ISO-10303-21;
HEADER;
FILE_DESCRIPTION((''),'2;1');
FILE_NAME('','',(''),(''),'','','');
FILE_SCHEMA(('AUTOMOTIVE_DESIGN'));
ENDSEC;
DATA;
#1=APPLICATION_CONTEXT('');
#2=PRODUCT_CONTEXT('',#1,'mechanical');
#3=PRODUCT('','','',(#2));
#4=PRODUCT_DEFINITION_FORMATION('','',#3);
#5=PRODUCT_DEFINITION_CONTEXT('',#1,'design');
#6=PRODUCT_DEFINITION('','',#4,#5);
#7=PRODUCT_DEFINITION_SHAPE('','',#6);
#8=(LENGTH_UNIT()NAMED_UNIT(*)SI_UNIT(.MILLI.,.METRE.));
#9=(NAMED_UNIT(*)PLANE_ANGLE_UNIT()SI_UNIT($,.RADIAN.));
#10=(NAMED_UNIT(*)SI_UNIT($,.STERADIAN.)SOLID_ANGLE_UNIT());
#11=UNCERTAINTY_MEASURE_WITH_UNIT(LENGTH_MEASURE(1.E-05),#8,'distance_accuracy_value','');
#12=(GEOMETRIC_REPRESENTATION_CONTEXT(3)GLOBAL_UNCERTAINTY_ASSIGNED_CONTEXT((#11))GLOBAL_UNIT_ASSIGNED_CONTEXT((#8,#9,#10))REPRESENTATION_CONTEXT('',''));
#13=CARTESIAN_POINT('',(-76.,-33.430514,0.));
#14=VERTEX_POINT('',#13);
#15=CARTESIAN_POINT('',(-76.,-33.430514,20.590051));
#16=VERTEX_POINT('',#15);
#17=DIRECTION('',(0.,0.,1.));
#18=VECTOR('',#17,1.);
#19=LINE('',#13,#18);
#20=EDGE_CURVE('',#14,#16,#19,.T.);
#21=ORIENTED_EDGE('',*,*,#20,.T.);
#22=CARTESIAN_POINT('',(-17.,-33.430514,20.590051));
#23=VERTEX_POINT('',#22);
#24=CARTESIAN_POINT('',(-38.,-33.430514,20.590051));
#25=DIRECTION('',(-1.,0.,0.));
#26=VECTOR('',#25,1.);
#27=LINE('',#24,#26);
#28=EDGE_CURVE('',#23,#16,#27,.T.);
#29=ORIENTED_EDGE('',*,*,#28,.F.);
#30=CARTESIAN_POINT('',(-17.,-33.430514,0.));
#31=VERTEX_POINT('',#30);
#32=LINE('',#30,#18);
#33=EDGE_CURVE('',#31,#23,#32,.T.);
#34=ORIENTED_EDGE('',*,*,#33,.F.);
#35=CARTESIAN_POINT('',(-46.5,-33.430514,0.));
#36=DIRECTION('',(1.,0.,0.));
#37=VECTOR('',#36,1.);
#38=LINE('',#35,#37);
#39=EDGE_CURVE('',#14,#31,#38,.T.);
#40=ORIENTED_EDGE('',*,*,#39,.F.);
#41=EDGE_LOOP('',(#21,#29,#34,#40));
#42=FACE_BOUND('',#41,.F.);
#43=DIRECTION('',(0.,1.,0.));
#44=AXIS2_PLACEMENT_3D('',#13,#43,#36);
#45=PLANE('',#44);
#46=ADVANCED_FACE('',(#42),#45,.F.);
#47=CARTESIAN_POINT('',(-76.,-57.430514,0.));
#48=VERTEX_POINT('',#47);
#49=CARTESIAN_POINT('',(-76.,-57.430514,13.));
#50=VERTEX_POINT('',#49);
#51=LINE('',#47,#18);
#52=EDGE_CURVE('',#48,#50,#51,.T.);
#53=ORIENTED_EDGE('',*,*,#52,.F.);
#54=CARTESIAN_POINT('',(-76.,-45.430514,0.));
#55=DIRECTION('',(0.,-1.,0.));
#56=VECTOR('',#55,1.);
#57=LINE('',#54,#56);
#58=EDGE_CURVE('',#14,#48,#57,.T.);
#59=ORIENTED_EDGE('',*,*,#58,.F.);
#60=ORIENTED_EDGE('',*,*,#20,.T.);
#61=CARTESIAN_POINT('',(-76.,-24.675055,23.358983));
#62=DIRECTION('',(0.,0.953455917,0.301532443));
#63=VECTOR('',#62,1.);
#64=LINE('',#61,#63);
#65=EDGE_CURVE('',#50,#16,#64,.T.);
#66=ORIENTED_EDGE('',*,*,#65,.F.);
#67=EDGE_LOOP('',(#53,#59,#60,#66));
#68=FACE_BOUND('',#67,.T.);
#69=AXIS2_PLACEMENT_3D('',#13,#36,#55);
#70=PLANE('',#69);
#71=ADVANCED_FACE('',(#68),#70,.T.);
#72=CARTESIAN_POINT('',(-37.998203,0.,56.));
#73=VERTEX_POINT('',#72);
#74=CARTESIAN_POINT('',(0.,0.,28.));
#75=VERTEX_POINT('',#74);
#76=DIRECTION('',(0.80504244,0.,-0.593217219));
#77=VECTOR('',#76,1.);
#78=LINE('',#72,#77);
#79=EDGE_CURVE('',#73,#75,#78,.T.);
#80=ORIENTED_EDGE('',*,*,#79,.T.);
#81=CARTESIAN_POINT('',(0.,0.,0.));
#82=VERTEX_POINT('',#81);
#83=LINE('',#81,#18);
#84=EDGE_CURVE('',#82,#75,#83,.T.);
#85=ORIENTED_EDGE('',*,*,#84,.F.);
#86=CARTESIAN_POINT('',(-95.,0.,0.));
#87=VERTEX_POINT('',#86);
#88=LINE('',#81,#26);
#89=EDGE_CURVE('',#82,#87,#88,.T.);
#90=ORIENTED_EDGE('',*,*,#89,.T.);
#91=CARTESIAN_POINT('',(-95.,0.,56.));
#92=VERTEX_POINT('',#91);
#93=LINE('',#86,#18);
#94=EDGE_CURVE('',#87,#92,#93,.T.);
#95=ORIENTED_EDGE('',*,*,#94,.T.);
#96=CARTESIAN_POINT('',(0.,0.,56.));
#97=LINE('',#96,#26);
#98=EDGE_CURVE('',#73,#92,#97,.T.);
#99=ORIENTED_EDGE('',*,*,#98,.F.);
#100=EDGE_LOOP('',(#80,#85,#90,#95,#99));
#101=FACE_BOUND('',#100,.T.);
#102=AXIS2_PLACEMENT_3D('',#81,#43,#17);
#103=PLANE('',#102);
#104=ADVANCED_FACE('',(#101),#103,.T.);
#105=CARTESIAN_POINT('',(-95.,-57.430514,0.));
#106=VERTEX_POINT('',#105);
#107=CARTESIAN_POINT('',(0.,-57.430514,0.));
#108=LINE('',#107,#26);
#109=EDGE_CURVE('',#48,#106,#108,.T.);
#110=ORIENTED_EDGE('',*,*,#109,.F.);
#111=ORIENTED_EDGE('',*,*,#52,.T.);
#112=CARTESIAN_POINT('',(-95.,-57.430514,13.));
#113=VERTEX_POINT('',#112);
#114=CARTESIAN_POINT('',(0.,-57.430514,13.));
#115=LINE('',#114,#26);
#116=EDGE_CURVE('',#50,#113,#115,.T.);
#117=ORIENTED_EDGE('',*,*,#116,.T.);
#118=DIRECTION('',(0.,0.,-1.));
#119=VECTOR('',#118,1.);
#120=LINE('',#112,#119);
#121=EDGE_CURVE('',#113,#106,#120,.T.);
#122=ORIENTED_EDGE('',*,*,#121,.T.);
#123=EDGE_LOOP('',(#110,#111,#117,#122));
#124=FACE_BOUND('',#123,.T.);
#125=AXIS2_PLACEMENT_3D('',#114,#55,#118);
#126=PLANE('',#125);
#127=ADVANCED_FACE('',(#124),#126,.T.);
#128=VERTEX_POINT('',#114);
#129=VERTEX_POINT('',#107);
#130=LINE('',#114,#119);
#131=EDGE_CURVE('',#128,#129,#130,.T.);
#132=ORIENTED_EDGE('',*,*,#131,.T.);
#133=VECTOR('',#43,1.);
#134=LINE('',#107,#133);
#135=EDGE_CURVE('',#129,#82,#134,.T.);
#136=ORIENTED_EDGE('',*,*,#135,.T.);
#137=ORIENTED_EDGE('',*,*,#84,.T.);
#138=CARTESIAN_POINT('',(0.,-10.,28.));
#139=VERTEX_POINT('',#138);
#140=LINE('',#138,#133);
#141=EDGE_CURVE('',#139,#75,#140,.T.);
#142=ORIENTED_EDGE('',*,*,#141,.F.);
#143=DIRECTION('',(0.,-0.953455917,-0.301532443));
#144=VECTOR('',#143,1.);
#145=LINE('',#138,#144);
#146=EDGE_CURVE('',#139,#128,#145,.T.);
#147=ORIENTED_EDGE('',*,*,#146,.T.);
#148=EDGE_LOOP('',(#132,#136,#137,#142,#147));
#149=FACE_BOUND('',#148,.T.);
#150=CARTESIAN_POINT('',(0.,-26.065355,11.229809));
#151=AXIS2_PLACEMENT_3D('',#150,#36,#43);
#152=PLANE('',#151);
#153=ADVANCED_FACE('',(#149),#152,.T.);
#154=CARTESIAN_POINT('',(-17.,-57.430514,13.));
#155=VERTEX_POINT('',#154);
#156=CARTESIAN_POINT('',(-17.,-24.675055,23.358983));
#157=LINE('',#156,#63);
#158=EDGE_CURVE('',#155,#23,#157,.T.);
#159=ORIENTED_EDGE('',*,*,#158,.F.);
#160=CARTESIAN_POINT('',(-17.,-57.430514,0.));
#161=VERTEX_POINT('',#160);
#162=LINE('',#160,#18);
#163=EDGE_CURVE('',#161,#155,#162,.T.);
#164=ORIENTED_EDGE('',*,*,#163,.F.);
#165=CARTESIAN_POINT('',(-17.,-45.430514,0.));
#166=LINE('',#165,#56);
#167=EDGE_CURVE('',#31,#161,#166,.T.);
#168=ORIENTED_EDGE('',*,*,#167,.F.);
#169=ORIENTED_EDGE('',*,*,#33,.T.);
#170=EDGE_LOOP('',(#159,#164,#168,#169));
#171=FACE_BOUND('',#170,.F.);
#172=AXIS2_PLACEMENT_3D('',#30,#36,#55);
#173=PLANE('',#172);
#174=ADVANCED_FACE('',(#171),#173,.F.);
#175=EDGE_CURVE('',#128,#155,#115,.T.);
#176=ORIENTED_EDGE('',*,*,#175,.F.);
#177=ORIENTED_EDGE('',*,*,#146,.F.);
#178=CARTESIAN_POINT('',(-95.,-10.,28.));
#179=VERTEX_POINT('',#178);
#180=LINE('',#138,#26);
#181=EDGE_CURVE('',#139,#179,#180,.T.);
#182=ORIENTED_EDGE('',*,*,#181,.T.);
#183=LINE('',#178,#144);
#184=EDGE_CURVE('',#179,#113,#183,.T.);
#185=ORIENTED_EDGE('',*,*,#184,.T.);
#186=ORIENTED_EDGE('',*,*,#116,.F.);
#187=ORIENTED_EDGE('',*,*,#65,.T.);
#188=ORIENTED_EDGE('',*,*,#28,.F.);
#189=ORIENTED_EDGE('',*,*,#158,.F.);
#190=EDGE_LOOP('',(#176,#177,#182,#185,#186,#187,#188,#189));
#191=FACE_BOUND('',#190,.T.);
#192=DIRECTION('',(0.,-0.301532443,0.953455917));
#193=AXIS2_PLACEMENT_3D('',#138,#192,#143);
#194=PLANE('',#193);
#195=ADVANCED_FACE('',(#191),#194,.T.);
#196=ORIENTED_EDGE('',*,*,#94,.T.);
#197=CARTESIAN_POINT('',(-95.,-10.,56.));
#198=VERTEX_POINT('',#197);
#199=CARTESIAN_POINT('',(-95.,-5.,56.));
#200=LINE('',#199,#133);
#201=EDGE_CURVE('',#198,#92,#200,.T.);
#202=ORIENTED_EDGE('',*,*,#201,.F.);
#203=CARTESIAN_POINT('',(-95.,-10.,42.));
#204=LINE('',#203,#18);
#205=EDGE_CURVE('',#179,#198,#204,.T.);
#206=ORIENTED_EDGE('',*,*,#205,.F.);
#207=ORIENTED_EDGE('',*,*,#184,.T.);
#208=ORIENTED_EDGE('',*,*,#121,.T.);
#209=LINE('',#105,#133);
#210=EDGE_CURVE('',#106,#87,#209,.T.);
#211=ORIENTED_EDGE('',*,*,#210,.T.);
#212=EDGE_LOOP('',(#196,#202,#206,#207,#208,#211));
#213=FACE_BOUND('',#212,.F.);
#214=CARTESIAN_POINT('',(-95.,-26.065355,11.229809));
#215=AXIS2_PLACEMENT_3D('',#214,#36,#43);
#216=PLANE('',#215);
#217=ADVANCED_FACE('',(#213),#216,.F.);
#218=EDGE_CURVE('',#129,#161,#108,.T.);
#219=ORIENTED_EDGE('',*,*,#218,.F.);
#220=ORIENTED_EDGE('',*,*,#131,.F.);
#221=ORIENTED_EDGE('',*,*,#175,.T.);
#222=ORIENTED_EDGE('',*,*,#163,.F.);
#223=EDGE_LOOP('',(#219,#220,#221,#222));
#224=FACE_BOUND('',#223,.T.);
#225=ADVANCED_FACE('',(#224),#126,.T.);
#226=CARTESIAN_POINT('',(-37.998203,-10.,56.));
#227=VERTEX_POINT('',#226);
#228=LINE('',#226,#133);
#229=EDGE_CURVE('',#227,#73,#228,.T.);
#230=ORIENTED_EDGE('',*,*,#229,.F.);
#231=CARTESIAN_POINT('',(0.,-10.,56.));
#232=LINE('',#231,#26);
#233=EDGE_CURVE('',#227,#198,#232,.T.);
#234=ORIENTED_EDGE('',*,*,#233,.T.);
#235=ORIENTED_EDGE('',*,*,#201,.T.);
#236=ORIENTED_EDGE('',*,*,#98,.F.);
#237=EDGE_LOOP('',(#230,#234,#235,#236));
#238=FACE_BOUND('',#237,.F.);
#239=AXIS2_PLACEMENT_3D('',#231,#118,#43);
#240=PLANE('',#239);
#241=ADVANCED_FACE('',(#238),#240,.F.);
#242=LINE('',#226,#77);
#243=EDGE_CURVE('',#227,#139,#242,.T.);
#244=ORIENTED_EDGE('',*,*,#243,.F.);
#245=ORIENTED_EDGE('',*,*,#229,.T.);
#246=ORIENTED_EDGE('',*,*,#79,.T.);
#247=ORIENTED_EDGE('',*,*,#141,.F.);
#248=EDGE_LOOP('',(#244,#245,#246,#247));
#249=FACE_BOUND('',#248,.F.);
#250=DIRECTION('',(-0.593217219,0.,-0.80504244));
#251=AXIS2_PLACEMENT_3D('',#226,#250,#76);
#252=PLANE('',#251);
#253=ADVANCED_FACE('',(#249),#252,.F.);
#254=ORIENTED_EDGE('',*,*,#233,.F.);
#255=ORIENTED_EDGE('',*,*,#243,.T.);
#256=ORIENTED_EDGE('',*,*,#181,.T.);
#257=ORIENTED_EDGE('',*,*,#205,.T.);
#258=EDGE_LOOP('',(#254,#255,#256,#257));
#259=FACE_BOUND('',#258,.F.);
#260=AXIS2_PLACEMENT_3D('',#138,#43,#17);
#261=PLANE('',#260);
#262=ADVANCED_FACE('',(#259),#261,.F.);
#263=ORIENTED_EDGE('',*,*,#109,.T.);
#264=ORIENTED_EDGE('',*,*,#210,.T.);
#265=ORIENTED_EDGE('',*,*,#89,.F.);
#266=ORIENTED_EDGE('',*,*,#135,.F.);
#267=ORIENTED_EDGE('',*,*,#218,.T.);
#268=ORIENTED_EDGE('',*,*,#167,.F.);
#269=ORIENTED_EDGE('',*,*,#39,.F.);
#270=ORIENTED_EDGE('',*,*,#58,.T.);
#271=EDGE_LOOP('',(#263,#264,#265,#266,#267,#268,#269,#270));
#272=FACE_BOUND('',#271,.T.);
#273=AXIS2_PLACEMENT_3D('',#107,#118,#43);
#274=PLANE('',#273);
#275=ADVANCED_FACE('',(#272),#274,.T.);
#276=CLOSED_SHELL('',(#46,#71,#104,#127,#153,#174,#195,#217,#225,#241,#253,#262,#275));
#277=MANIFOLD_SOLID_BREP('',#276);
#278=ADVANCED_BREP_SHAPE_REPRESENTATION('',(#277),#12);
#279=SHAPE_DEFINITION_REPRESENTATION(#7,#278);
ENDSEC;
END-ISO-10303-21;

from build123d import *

# Parameters (mm, degrees)
F0_W     = 10
F0_H     = 28
F1_DEPTH = 95
F3_DEPTH = 10
F4_W     = 59
F4_H     = 24
F5_DEPTH = 62.4


with BuildPart() as f1:
    # F0 (on Right) → F1 (new body)
    with BuildSketch(Plane.YZ):
        Polygon((-57.430514, 0), (0, 0), (0, 28), (-10, 28), (-57.430514, 13), align=None)
        with Locations((-5, 42)):
            Rectangle(F0_W, F0_H)
    extrude(amount=-F1_DEPTH)

    # F2 (on face) → F3 (cut)
    with BuildSketch(Plane.XZ.offset(10)):
        Polygon((0, 56), (-37.998203, 56), (0, 28), align=None)
    extrude(amount=-F3_DEPTH, mode=Mode.SUBTRACT)

    # F4 (on face) → F5 (cut)
    with BuildSketch(Plane(origin=(0, 0, 0), x_dir=(1, 0, 0), z_dir=(0, 0, -1))):
        with Locations((-46.5, 45.430514)):
            Rectangle(F4_W, F4_H)
    extrude(amount=-F5_DEPTH, mode=Mode.SUBTRACT)


solid = f1.part
